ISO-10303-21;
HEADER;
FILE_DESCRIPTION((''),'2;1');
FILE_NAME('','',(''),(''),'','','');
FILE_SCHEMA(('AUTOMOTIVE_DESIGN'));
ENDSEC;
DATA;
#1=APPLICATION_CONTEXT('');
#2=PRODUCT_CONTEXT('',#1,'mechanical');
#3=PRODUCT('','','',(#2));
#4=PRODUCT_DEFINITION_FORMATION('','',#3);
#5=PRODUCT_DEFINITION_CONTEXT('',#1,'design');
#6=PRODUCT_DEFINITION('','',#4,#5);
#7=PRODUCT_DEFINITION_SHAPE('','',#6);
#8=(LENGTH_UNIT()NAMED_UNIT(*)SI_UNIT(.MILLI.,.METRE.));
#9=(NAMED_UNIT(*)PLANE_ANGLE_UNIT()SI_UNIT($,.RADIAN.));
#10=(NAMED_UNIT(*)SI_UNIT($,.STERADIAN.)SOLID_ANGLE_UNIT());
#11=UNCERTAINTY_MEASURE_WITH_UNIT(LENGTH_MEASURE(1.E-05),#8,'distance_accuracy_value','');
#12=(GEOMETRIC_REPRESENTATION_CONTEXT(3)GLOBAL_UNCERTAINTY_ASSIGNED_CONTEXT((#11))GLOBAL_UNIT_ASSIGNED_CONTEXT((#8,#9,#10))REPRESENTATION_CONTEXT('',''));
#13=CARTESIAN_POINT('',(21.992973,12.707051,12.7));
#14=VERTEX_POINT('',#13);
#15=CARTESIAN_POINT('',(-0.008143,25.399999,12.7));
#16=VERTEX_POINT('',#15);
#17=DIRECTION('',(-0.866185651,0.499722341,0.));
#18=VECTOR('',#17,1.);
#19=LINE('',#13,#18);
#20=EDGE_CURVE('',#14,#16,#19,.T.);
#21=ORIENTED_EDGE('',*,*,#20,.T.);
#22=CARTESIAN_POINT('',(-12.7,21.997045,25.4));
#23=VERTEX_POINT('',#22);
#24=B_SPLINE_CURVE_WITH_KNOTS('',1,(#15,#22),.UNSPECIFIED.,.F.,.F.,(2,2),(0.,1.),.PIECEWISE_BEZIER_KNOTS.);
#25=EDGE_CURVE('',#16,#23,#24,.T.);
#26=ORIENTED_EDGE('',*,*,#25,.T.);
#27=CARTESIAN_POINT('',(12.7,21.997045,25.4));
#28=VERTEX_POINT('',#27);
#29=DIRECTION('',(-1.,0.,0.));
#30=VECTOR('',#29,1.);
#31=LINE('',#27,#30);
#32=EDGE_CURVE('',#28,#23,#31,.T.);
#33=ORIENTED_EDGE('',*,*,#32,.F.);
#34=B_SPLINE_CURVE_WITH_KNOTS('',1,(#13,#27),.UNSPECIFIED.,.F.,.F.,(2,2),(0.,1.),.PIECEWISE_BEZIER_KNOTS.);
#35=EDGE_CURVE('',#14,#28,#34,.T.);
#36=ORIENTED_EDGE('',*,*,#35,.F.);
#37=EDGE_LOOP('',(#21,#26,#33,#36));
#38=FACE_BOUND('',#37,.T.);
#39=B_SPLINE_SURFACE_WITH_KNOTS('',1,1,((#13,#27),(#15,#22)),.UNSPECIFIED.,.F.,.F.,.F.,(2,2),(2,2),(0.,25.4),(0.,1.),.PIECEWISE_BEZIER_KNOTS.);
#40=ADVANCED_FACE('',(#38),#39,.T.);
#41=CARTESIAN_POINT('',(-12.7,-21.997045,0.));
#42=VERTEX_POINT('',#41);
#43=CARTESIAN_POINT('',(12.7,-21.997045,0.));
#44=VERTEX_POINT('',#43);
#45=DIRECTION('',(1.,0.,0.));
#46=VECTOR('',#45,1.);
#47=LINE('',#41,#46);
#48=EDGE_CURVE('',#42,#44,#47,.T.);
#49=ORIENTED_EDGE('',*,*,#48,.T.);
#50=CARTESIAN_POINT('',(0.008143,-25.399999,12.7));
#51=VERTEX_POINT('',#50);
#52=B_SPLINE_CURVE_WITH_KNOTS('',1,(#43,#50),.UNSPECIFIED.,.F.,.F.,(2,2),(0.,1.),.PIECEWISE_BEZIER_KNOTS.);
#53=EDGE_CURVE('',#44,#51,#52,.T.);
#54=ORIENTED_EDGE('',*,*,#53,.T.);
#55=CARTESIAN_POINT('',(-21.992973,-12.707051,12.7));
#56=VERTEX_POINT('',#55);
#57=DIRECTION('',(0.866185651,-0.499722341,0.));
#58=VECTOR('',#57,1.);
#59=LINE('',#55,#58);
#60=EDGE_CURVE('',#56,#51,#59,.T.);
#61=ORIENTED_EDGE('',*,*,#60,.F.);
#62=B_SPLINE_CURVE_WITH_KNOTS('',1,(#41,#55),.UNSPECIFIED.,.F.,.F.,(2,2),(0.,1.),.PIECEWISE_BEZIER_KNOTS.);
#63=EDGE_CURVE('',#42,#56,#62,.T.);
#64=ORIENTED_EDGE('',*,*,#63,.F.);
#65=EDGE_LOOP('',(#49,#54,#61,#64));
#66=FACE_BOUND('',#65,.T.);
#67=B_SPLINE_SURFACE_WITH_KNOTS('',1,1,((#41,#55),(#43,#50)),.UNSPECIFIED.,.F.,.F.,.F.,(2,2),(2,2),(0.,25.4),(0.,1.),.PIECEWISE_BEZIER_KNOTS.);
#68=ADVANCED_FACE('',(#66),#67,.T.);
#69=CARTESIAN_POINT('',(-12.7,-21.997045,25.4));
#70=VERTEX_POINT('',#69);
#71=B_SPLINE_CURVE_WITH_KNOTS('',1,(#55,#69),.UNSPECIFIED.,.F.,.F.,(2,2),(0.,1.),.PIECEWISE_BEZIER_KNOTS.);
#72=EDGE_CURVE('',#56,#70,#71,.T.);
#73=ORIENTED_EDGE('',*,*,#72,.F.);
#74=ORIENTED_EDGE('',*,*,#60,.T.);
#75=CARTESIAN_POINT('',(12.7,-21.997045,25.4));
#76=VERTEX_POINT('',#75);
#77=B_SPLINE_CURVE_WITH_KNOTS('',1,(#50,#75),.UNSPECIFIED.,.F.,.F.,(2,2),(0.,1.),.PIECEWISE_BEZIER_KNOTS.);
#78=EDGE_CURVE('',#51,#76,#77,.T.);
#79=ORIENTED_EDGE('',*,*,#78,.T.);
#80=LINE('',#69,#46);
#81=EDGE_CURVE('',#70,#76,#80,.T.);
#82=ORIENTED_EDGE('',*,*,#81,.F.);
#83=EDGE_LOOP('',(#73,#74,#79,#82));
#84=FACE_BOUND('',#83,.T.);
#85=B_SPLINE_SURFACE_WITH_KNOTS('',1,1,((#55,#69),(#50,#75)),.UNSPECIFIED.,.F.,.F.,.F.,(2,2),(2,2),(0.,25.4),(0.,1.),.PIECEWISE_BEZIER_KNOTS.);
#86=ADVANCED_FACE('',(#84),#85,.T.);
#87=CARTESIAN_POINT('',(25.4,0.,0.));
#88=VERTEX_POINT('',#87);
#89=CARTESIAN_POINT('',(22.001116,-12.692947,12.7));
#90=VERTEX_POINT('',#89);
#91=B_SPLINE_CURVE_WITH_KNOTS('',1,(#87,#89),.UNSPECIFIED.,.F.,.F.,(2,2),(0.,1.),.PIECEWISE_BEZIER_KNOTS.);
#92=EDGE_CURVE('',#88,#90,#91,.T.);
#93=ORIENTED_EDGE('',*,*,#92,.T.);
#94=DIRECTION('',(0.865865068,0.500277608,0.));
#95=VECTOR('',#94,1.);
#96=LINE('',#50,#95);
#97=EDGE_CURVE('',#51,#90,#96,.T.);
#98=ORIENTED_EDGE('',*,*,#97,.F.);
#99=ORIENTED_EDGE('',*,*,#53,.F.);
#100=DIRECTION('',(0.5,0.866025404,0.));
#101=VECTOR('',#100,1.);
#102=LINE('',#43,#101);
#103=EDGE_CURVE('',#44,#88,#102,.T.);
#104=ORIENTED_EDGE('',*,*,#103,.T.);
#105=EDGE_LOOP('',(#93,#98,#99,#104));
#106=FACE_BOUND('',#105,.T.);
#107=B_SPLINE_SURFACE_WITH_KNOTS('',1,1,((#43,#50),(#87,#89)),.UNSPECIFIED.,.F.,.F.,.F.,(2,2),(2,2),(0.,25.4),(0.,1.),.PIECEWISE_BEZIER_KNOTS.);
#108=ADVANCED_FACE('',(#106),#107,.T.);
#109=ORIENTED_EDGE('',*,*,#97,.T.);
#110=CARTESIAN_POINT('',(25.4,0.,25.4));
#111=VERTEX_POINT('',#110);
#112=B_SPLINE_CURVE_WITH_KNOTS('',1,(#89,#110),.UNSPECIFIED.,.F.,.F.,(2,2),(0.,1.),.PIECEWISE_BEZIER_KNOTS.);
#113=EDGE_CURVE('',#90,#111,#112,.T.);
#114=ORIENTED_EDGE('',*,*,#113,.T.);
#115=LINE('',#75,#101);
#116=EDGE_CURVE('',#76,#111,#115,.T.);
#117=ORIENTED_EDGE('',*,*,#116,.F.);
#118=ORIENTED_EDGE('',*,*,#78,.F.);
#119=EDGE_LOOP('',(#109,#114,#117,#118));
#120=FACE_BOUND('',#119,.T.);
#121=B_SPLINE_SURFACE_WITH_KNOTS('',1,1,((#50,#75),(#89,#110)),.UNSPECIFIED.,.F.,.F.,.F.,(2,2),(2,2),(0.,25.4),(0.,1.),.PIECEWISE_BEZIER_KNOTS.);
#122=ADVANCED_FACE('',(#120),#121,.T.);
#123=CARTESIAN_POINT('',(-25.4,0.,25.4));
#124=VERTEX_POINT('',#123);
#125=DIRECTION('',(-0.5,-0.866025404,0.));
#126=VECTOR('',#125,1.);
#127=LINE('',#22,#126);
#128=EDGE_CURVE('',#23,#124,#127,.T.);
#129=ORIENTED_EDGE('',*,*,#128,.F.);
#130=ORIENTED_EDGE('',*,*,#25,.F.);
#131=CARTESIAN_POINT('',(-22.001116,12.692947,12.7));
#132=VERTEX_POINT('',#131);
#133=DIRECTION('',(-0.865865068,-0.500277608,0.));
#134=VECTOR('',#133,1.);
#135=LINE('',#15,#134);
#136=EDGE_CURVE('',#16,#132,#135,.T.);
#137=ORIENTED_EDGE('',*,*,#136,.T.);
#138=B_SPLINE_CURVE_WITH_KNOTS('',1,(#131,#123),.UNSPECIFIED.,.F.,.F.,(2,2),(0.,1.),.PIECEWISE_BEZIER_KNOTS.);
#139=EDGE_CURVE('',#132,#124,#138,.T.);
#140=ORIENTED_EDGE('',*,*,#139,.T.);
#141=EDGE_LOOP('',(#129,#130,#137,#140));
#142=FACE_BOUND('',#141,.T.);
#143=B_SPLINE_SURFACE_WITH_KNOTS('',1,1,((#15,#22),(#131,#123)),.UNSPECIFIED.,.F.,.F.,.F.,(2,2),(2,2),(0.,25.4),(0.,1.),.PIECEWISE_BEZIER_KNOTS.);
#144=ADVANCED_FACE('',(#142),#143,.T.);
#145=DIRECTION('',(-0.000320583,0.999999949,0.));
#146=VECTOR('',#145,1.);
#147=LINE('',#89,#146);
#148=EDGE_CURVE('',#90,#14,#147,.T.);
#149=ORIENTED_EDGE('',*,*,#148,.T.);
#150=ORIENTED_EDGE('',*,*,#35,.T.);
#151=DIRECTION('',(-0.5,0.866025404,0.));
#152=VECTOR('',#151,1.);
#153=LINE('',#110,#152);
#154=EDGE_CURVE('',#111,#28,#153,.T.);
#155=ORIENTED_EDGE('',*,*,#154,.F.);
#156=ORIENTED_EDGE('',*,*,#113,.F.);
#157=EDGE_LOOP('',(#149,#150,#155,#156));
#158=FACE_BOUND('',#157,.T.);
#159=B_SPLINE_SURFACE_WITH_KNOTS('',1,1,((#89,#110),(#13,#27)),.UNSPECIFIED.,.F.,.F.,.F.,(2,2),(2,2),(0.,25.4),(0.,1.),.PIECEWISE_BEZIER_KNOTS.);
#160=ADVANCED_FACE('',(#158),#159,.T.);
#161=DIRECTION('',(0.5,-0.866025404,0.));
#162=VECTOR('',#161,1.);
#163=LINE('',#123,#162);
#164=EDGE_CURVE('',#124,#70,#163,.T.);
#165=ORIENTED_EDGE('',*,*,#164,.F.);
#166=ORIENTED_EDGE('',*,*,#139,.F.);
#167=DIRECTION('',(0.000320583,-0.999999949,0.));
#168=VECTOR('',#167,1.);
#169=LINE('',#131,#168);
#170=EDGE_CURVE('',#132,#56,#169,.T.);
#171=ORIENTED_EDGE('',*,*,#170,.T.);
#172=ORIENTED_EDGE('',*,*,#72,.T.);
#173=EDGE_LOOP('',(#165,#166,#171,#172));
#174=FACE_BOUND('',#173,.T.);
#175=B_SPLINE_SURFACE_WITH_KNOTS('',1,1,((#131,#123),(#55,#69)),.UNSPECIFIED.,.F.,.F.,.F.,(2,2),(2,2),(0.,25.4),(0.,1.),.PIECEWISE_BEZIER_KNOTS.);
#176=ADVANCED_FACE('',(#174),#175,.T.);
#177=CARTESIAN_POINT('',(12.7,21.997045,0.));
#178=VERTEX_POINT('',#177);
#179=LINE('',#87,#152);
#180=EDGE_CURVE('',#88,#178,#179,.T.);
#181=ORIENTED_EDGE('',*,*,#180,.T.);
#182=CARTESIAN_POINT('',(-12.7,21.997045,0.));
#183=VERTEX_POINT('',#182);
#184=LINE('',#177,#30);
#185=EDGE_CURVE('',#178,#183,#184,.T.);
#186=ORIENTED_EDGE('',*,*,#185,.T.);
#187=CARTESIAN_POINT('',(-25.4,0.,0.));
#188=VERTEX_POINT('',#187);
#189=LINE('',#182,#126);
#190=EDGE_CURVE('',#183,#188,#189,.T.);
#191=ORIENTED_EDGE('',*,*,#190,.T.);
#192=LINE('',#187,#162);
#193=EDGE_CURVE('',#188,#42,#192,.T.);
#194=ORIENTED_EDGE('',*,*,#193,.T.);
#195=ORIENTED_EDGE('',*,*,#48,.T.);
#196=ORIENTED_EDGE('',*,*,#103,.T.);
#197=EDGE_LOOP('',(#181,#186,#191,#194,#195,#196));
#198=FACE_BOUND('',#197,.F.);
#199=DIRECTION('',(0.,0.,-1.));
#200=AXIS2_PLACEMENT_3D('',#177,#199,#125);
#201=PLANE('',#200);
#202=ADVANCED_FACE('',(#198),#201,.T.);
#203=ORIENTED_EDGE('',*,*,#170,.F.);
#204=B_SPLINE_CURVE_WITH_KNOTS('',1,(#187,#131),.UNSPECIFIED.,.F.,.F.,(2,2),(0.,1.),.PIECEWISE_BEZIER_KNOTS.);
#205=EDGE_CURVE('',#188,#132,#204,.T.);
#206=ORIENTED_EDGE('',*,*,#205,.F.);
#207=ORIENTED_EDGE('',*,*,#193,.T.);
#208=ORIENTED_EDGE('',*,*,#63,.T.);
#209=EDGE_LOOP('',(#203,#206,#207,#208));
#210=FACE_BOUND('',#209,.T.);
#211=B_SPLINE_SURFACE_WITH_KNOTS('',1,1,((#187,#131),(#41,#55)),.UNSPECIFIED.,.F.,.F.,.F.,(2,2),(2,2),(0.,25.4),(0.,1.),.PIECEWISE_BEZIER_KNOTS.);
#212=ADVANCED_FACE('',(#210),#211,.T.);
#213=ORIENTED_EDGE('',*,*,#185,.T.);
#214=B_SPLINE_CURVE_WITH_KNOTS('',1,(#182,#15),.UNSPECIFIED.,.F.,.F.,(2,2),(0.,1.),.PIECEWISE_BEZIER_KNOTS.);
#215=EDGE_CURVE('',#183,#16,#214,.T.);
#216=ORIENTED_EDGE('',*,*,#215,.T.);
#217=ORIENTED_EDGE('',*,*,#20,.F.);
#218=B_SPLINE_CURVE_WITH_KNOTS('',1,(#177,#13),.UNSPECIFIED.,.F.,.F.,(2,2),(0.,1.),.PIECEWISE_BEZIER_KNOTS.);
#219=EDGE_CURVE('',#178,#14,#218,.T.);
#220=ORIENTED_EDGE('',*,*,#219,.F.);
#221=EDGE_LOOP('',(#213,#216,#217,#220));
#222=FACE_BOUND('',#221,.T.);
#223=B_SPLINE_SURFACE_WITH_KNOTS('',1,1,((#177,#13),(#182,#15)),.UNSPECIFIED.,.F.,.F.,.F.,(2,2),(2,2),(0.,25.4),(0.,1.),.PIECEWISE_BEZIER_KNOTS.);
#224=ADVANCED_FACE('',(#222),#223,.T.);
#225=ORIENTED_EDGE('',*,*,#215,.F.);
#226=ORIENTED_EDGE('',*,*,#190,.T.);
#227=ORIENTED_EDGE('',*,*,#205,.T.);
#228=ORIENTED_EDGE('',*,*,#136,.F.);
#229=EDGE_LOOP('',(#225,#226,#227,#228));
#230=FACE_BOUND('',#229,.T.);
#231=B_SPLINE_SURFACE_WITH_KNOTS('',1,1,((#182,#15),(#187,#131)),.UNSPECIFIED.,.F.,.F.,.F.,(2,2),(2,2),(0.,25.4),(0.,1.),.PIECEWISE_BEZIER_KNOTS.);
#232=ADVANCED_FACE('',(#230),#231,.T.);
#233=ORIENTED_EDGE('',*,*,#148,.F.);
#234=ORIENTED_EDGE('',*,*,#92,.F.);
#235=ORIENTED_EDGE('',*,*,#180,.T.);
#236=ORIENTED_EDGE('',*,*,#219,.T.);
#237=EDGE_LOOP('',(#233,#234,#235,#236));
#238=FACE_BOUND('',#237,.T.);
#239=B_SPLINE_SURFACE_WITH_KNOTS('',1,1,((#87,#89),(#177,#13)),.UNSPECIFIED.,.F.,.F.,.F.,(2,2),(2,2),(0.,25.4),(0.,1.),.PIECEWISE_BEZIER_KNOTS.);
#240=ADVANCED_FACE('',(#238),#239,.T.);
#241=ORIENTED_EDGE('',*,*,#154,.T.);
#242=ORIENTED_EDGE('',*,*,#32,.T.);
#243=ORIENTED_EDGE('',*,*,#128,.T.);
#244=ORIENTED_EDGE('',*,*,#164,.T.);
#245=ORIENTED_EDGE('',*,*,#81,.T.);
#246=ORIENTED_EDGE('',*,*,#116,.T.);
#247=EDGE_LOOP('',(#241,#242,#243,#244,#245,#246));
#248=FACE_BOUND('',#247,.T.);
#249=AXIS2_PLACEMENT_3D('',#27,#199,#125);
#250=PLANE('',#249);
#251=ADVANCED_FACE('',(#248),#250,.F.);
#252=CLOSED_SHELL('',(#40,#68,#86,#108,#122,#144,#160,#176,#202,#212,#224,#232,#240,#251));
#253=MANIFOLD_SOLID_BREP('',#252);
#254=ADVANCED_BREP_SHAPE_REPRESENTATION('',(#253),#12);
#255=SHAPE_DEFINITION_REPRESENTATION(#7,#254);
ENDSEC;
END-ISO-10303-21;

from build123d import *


with BuildPart() as f3:
    # F0 (on Top) → F3 section 0
    with BuildSketch(Plane.XY):
        Polygon((12.7, 21.9970452561), (-12.7, 21.9970452561), (-25.4, 0), (-12.7, -21.9970452561), (12.7, -21.9970452561), (25.4, 0), align=None)
    # F2 (on offset) → F3 section 1
    with BuildSketch(Plane.XY.offset(12.7)):
        Polygon((-0.0081428164, 25.3999986948), (-22.001115534, 12.6929474615), (-21.9929727176, -12.7070512333), (0.0081428164, -25.3999986948), (22.001115534, -12.6929474615), (21.9929727176, 12.7070512333), align=None)
    loft()

    # F3_face (on face) → F6 section 0
    with BuildSketch(Plane.XY.offset(12.7)):
        Polygon((21.9929727176, 12.7070512333), (-0.0081428164, 25.3999986948), (-22.001115534, 12.6929474615), (-21.9929727176, -12.7070512333), (0.0081428164, -25.3999986948), (22.001115534, -12.6929474615), align=None)
    # F5 (on offset) → F6 section 1
    with BuildSketch(Plane.XY.offset(25.4)):
        Polygon((12.7, 21.9970452561), (-12.7, 21.9970452561), (-25.4, 0), (-12.7, -21.9970452561), (12.7, -21.9970452561), (25.4, 0), align=None)
    loft()


solid = f3.part
